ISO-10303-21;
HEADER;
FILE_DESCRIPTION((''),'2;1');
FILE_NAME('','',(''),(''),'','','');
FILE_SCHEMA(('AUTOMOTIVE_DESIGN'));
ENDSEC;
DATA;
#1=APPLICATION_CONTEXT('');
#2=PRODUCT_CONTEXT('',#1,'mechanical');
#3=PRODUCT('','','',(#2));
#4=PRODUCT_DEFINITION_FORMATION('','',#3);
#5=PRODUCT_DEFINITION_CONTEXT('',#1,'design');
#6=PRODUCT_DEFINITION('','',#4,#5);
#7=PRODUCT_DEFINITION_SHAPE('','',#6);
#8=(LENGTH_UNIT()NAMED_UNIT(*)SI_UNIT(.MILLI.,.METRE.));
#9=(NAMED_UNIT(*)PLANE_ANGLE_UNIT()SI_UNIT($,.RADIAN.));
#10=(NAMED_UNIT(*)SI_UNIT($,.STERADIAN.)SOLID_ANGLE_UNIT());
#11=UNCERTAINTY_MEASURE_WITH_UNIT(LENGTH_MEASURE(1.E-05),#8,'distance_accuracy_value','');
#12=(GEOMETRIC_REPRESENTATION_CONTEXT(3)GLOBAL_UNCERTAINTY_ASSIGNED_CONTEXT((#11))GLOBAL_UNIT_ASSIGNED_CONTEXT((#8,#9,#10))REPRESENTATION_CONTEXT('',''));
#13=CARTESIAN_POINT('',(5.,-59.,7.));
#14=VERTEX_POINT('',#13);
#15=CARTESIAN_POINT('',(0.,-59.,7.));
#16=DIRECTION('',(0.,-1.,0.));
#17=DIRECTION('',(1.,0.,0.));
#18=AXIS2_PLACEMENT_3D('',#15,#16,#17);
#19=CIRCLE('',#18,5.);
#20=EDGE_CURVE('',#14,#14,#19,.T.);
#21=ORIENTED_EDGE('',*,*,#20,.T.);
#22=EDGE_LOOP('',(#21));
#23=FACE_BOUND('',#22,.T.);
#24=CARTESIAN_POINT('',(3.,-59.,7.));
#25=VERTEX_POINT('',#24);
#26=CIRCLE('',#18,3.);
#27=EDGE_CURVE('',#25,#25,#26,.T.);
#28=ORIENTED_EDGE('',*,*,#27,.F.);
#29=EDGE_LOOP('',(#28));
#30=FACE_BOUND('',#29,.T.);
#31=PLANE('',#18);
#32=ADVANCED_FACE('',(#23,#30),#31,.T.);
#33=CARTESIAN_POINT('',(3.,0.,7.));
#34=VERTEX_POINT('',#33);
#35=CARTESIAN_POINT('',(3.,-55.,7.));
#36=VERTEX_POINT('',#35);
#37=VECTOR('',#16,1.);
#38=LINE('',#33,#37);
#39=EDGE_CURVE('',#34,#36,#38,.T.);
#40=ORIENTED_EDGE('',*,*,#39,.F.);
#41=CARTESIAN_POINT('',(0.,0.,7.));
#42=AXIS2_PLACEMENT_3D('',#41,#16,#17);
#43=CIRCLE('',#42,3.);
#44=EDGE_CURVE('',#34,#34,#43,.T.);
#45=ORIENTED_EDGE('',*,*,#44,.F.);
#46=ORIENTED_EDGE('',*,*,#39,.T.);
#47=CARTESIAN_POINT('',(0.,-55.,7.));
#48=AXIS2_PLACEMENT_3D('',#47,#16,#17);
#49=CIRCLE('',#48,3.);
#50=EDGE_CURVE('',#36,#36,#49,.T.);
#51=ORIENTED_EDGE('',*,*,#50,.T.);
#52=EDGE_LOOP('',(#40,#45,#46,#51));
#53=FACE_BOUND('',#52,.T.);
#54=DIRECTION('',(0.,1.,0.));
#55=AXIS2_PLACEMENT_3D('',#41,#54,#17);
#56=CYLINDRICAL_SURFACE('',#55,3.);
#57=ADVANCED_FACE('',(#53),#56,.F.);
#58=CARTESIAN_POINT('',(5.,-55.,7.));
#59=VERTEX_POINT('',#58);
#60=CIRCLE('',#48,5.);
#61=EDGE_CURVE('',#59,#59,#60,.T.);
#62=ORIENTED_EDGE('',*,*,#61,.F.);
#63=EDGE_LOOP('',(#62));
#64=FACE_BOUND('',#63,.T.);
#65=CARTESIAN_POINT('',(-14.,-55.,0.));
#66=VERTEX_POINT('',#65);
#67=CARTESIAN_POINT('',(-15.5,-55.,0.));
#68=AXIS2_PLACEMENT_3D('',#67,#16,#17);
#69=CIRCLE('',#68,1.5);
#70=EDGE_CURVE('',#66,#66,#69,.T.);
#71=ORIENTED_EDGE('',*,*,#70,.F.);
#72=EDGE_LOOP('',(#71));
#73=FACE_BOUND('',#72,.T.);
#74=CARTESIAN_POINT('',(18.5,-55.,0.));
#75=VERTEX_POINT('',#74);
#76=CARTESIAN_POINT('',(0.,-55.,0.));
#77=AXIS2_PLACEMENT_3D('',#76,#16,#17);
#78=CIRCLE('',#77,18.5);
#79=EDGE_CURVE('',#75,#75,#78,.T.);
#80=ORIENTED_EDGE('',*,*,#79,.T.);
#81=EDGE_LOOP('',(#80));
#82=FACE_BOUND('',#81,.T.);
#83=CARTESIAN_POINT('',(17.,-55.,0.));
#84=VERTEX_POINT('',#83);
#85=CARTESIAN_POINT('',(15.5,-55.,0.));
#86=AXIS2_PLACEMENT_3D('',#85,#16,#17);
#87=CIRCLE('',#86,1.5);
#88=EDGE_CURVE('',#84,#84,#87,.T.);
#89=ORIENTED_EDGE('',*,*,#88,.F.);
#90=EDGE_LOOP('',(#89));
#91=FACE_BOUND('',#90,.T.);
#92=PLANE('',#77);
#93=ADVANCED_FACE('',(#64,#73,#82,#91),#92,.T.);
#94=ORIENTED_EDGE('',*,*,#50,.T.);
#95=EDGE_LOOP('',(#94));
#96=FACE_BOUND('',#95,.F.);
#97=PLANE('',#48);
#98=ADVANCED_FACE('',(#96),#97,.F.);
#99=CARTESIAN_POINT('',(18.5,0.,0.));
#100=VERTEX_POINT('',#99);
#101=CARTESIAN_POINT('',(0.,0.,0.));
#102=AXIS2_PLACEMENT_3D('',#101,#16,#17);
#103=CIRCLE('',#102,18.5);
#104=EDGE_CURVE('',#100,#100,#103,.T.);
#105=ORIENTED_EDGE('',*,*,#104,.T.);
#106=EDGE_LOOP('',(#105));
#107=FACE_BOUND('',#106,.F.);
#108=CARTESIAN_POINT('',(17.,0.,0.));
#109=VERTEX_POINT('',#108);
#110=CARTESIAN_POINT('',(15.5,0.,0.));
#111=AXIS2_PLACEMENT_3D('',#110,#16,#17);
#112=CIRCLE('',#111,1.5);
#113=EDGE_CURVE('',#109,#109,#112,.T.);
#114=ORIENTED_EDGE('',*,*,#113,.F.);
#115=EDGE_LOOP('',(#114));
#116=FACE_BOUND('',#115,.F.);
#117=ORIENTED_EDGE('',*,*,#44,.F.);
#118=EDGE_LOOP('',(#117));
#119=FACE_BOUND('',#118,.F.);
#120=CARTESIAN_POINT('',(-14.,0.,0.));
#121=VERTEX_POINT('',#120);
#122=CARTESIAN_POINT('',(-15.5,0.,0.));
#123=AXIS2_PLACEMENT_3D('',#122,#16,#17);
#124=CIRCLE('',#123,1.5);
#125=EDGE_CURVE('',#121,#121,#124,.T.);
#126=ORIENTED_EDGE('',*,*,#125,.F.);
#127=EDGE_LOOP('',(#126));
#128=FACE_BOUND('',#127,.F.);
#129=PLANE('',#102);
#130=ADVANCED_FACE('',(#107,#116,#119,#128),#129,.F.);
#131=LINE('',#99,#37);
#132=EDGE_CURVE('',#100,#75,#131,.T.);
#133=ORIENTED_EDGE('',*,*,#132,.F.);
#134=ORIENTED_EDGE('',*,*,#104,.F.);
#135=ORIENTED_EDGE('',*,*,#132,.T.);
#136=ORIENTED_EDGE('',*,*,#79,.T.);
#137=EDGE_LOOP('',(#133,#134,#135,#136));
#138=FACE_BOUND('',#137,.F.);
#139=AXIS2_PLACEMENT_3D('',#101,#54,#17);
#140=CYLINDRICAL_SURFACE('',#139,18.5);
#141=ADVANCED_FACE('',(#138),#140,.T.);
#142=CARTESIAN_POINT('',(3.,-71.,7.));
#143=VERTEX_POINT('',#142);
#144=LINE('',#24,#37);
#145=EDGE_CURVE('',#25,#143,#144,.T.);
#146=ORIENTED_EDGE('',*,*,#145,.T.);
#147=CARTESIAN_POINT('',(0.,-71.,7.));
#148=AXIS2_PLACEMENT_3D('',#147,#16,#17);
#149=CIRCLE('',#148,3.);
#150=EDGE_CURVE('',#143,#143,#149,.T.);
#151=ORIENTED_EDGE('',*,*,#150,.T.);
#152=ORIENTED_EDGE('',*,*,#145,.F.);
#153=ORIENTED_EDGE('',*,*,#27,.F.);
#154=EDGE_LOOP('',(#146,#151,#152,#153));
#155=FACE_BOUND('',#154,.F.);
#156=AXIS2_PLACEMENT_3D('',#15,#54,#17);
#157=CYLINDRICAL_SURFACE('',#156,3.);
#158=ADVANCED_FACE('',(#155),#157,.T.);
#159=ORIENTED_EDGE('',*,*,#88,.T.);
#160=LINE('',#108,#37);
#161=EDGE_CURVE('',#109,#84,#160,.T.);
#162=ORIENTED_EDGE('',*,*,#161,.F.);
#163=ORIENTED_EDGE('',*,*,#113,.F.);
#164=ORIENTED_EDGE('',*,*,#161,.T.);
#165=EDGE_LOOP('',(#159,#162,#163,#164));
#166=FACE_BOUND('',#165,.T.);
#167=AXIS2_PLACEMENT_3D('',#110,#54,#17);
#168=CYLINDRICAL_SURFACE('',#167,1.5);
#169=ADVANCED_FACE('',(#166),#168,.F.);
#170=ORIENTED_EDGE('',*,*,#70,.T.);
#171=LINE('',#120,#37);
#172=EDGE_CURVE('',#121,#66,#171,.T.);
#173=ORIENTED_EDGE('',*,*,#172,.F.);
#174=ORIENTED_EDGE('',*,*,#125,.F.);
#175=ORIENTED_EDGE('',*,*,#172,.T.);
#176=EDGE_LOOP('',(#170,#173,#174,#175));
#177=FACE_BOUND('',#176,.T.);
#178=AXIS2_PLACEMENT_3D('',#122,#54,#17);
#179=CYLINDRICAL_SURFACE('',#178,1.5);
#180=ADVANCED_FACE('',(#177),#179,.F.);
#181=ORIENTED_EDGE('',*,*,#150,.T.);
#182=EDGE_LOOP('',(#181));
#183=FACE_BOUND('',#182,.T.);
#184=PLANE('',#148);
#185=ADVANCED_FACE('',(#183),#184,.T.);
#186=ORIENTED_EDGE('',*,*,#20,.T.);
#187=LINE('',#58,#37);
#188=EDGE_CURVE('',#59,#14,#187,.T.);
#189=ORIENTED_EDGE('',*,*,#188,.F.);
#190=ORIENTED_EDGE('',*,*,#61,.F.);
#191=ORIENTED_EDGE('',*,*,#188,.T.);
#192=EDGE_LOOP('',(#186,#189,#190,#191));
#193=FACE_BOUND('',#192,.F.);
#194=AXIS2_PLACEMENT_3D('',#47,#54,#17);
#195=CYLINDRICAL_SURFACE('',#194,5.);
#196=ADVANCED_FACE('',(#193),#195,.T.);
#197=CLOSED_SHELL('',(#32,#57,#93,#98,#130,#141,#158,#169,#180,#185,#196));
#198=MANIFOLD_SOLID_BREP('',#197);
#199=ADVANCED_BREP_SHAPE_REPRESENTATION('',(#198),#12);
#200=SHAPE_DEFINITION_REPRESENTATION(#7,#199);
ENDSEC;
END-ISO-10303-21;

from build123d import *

# Parameters (mm, degrees)
F0_R     = 18.5
F0_R_2   = 1.5
F0_R_3   = 3
F1_DEPTH = 55
F2_R     = 5
F3_DEPTH = 4
F4_R     = 3
F5_DEPTH = 12


with BuildPart() as f1:
    # F0 (on Front) → F1 (new body)
    with BuildSketch(Plane.XZ):
        Circle(F0_R)
        with Locations((-15.5, 0)):
            Circle(F0_R_2, mode=Mode.SUBTRACT)
        with Locations((0, 7)):
            Circle(F0_R_3, mode=Mode.SUBTRACT)
        with Locations((15.5, 0)):
            Circle(F0_R_2, mode=Mode.SUBTRACT)
    extrude(amount=F1_DEPTH)

    # F2 (on face) → F3 (join)
    with BuildSketch(Plane.XZ.offset(55)):
        with Locations((0, 7)):
            Circle(F2_R)
    extrude(amount=F3_DEPTH)

    # F4 (on face) → F5 (join)
    with BuildSketch(Plane.XZ.offset(59)):
        with Locations((0, 7)):
            Circle(F4_R)
    extrude(amount=F5_DEPTH)


solid = f1.part
